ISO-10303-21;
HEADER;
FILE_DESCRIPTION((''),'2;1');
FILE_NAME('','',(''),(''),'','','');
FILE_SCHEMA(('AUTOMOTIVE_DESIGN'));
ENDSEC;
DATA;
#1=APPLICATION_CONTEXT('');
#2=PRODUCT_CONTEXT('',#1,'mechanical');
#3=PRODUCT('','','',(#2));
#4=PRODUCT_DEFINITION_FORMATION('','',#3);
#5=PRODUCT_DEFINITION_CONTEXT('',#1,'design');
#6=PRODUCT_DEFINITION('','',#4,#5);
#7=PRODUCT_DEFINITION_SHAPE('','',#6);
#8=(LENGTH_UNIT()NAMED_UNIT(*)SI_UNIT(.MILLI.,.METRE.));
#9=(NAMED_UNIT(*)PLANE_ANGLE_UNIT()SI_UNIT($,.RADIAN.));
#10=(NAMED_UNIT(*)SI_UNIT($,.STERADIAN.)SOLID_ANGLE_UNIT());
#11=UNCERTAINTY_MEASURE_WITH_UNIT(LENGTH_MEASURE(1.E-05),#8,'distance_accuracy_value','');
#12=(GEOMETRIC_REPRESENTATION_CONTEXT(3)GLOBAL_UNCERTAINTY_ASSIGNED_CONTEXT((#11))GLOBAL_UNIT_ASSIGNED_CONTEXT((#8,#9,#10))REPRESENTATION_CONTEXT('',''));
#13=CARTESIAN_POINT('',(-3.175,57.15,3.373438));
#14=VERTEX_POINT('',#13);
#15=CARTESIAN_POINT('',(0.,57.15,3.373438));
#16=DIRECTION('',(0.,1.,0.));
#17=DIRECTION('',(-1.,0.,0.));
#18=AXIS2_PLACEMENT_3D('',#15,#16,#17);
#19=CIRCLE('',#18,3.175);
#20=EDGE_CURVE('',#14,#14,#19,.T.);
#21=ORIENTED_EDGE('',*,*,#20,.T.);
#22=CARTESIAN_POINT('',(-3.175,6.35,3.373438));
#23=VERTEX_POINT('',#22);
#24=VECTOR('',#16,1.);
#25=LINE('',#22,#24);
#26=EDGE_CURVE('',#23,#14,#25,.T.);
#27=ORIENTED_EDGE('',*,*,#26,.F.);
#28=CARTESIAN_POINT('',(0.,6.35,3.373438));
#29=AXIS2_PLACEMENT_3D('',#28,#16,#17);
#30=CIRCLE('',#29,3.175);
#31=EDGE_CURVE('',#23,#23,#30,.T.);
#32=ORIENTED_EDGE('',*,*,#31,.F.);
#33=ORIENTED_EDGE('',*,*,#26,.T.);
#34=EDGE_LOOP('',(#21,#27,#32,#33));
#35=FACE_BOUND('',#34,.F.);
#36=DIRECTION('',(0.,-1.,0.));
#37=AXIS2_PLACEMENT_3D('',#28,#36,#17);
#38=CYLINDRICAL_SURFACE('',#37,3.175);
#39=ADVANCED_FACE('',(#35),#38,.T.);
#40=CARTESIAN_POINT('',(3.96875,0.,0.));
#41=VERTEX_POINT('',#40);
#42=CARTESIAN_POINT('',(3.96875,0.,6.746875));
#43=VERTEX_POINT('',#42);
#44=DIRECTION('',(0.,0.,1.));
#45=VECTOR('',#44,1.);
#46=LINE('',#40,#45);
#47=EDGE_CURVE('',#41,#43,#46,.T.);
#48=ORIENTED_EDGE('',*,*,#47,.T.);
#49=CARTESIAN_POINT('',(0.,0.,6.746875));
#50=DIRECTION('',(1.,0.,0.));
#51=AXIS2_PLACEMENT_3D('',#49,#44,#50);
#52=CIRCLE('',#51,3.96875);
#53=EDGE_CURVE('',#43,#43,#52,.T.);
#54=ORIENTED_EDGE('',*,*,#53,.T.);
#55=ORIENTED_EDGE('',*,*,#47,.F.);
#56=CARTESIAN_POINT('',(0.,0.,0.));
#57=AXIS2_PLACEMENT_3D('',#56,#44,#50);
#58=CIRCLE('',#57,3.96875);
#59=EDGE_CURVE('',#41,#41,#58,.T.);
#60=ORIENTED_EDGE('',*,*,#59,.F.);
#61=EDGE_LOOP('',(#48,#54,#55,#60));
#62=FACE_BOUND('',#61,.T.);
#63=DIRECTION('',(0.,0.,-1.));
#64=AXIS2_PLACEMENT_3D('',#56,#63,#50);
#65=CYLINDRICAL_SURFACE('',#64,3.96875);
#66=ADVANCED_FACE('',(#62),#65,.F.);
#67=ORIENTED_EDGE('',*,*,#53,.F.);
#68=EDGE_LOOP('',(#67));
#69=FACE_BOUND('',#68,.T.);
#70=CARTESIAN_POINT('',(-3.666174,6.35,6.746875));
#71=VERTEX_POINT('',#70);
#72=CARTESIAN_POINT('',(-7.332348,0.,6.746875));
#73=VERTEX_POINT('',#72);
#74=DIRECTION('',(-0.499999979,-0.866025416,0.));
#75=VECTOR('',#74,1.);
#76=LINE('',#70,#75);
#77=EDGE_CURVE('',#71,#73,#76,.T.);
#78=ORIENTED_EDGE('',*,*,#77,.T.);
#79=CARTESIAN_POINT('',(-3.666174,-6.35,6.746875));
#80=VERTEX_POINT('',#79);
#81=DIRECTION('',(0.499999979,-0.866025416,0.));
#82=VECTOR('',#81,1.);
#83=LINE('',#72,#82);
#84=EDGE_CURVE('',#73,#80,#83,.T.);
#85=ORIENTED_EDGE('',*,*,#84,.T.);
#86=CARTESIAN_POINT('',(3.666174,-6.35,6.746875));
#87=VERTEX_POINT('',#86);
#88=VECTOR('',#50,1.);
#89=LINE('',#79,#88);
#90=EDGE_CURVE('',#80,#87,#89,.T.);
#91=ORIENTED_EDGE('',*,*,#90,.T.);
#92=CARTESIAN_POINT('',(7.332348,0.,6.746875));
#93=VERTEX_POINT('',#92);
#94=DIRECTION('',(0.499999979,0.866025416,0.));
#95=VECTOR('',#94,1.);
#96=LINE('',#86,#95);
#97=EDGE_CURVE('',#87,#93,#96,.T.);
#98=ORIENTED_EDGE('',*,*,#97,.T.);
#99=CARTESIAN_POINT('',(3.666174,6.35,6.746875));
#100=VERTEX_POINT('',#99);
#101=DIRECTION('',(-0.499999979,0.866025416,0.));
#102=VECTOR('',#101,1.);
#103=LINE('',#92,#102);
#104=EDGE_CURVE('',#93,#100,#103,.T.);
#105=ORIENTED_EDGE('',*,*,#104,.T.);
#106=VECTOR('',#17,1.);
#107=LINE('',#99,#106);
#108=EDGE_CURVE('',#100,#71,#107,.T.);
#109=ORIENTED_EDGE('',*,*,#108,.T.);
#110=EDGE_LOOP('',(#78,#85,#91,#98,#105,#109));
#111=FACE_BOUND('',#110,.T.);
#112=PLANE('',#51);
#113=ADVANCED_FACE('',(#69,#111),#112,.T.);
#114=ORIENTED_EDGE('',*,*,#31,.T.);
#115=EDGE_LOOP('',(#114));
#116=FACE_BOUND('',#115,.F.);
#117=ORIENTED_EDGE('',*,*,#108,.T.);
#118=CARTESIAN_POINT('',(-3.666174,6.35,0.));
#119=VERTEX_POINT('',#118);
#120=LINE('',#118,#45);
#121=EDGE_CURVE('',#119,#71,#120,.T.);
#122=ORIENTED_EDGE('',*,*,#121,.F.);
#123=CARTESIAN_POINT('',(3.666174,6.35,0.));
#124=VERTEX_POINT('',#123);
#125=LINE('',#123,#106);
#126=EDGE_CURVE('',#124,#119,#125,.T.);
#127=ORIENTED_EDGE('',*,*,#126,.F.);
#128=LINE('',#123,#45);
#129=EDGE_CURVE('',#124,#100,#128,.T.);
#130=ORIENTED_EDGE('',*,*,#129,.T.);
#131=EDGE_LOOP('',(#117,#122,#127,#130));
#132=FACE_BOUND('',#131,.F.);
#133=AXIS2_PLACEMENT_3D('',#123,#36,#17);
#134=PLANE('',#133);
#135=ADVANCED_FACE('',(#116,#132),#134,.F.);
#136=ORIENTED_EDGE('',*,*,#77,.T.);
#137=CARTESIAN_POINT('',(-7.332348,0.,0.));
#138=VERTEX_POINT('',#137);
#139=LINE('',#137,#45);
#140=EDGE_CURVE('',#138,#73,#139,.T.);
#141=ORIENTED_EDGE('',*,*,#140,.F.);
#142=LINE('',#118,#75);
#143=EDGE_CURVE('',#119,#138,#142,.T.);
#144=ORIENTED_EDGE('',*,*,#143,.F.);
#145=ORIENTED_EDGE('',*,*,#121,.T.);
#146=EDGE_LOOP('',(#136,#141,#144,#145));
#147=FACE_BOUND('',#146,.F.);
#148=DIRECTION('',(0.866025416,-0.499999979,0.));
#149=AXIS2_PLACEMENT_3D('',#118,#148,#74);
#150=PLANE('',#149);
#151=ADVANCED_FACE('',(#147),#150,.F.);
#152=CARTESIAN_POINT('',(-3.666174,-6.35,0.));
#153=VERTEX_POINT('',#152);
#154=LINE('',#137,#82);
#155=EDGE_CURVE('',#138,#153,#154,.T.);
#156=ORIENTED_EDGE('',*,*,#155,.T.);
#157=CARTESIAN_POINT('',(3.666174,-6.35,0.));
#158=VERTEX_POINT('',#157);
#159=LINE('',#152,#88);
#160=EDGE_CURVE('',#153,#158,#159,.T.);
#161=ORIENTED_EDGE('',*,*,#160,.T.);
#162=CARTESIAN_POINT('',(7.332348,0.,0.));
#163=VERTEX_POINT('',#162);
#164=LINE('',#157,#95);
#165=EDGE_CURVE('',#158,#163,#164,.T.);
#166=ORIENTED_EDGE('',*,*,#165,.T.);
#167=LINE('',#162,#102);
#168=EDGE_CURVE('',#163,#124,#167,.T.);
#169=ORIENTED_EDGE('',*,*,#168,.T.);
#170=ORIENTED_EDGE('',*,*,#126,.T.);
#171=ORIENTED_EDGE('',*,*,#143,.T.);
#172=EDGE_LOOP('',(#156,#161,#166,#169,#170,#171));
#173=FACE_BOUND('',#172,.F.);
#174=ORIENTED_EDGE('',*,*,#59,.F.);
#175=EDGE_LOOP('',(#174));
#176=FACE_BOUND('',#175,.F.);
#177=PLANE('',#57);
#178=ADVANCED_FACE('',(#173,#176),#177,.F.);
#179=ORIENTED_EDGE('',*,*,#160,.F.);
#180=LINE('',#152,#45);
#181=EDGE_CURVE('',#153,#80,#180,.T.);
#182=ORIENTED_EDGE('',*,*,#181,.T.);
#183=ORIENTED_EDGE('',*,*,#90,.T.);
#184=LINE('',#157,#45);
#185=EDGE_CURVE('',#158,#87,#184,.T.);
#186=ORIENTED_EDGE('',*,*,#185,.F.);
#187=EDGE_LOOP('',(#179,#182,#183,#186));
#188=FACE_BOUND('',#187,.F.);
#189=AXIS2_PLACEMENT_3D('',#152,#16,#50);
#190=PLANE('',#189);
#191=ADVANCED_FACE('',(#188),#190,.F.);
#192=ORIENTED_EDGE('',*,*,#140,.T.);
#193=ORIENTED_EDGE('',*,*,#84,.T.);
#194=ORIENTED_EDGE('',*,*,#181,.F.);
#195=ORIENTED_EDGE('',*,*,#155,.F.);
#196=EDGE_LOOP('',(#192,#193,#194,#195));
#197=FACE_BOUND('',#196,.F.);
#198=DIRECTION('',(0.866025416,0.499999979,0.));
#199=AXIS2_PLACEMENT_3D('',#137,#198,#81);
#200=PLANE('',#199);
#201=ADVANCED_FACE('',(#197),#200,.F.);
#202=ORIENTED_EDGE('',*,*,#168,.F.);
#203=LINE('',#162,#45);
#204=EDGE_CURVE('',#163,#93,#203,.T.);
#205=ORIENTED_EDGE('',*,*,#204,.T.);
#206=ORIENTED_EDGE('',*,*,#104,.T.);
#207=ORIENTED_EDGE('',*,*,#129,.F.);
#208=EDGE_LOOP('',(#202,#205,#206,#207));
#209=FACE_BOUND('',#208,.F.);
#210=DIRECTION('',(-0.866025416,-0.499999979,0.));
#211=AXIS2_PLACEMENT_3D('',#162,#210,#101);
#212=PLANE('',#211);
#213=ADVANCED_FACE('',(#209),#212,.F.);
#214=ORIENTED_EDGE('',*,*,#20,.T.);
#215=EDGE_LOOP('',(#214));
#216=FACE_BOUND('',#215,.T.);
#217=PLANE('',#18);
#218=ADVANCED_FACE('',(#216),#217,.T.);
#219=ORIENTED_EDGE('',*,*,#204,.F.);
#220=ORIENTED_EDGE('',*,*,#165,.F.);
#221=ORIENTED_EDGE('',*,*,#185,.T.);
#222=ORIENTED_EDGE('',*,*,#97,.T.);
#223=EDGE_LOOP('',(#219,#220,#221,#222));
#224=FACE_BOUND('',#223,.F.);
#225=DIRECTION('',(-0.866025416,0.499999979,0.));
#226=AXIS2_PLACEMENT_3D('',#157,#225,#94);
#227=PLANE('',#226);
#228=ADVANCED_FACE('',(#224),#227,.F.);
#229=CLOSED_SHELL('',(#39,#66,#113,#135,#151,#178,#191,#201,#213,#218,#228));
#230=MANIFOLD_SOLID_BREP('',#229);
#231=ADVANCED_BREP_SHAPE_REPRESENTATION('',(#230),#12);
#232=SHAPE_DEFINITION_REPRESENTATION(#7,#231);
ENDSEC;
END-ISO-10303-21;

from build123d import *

# Parameters (mm, degrees)
F0_R     = 3.96875
F1_DEPTH = 6.746875
F2_R     = 3.175
F3_DEPTH = 50.8


with BuildPart() as f1:
    # F0 (on Top) → F1 (new body)
    with BuildSketch(Plane.XY):
        Polygon((3.666174, 6.35), (-3.666174, 6.35), (-7.332348, 0), (-3.666174, -6.35), (3.666174, -6.35), (7.332348, 0), align=None)
        Circle(F0_R, mode=Mode.SUBTRACT)
    extrude(amount=F1_DEPTH)

    # F2 (on face) → F3 (join)
    with BuildSketch(Plane(origin=(0, 6.35, 0), x_dir=(-1, 0, 0), z_dir=(0, 1, 0))):
        with Locations((0, 3.373438)):
            Circle(F2_R)
    extrude(amount=F3_DEPTH)


solid = f1.part
